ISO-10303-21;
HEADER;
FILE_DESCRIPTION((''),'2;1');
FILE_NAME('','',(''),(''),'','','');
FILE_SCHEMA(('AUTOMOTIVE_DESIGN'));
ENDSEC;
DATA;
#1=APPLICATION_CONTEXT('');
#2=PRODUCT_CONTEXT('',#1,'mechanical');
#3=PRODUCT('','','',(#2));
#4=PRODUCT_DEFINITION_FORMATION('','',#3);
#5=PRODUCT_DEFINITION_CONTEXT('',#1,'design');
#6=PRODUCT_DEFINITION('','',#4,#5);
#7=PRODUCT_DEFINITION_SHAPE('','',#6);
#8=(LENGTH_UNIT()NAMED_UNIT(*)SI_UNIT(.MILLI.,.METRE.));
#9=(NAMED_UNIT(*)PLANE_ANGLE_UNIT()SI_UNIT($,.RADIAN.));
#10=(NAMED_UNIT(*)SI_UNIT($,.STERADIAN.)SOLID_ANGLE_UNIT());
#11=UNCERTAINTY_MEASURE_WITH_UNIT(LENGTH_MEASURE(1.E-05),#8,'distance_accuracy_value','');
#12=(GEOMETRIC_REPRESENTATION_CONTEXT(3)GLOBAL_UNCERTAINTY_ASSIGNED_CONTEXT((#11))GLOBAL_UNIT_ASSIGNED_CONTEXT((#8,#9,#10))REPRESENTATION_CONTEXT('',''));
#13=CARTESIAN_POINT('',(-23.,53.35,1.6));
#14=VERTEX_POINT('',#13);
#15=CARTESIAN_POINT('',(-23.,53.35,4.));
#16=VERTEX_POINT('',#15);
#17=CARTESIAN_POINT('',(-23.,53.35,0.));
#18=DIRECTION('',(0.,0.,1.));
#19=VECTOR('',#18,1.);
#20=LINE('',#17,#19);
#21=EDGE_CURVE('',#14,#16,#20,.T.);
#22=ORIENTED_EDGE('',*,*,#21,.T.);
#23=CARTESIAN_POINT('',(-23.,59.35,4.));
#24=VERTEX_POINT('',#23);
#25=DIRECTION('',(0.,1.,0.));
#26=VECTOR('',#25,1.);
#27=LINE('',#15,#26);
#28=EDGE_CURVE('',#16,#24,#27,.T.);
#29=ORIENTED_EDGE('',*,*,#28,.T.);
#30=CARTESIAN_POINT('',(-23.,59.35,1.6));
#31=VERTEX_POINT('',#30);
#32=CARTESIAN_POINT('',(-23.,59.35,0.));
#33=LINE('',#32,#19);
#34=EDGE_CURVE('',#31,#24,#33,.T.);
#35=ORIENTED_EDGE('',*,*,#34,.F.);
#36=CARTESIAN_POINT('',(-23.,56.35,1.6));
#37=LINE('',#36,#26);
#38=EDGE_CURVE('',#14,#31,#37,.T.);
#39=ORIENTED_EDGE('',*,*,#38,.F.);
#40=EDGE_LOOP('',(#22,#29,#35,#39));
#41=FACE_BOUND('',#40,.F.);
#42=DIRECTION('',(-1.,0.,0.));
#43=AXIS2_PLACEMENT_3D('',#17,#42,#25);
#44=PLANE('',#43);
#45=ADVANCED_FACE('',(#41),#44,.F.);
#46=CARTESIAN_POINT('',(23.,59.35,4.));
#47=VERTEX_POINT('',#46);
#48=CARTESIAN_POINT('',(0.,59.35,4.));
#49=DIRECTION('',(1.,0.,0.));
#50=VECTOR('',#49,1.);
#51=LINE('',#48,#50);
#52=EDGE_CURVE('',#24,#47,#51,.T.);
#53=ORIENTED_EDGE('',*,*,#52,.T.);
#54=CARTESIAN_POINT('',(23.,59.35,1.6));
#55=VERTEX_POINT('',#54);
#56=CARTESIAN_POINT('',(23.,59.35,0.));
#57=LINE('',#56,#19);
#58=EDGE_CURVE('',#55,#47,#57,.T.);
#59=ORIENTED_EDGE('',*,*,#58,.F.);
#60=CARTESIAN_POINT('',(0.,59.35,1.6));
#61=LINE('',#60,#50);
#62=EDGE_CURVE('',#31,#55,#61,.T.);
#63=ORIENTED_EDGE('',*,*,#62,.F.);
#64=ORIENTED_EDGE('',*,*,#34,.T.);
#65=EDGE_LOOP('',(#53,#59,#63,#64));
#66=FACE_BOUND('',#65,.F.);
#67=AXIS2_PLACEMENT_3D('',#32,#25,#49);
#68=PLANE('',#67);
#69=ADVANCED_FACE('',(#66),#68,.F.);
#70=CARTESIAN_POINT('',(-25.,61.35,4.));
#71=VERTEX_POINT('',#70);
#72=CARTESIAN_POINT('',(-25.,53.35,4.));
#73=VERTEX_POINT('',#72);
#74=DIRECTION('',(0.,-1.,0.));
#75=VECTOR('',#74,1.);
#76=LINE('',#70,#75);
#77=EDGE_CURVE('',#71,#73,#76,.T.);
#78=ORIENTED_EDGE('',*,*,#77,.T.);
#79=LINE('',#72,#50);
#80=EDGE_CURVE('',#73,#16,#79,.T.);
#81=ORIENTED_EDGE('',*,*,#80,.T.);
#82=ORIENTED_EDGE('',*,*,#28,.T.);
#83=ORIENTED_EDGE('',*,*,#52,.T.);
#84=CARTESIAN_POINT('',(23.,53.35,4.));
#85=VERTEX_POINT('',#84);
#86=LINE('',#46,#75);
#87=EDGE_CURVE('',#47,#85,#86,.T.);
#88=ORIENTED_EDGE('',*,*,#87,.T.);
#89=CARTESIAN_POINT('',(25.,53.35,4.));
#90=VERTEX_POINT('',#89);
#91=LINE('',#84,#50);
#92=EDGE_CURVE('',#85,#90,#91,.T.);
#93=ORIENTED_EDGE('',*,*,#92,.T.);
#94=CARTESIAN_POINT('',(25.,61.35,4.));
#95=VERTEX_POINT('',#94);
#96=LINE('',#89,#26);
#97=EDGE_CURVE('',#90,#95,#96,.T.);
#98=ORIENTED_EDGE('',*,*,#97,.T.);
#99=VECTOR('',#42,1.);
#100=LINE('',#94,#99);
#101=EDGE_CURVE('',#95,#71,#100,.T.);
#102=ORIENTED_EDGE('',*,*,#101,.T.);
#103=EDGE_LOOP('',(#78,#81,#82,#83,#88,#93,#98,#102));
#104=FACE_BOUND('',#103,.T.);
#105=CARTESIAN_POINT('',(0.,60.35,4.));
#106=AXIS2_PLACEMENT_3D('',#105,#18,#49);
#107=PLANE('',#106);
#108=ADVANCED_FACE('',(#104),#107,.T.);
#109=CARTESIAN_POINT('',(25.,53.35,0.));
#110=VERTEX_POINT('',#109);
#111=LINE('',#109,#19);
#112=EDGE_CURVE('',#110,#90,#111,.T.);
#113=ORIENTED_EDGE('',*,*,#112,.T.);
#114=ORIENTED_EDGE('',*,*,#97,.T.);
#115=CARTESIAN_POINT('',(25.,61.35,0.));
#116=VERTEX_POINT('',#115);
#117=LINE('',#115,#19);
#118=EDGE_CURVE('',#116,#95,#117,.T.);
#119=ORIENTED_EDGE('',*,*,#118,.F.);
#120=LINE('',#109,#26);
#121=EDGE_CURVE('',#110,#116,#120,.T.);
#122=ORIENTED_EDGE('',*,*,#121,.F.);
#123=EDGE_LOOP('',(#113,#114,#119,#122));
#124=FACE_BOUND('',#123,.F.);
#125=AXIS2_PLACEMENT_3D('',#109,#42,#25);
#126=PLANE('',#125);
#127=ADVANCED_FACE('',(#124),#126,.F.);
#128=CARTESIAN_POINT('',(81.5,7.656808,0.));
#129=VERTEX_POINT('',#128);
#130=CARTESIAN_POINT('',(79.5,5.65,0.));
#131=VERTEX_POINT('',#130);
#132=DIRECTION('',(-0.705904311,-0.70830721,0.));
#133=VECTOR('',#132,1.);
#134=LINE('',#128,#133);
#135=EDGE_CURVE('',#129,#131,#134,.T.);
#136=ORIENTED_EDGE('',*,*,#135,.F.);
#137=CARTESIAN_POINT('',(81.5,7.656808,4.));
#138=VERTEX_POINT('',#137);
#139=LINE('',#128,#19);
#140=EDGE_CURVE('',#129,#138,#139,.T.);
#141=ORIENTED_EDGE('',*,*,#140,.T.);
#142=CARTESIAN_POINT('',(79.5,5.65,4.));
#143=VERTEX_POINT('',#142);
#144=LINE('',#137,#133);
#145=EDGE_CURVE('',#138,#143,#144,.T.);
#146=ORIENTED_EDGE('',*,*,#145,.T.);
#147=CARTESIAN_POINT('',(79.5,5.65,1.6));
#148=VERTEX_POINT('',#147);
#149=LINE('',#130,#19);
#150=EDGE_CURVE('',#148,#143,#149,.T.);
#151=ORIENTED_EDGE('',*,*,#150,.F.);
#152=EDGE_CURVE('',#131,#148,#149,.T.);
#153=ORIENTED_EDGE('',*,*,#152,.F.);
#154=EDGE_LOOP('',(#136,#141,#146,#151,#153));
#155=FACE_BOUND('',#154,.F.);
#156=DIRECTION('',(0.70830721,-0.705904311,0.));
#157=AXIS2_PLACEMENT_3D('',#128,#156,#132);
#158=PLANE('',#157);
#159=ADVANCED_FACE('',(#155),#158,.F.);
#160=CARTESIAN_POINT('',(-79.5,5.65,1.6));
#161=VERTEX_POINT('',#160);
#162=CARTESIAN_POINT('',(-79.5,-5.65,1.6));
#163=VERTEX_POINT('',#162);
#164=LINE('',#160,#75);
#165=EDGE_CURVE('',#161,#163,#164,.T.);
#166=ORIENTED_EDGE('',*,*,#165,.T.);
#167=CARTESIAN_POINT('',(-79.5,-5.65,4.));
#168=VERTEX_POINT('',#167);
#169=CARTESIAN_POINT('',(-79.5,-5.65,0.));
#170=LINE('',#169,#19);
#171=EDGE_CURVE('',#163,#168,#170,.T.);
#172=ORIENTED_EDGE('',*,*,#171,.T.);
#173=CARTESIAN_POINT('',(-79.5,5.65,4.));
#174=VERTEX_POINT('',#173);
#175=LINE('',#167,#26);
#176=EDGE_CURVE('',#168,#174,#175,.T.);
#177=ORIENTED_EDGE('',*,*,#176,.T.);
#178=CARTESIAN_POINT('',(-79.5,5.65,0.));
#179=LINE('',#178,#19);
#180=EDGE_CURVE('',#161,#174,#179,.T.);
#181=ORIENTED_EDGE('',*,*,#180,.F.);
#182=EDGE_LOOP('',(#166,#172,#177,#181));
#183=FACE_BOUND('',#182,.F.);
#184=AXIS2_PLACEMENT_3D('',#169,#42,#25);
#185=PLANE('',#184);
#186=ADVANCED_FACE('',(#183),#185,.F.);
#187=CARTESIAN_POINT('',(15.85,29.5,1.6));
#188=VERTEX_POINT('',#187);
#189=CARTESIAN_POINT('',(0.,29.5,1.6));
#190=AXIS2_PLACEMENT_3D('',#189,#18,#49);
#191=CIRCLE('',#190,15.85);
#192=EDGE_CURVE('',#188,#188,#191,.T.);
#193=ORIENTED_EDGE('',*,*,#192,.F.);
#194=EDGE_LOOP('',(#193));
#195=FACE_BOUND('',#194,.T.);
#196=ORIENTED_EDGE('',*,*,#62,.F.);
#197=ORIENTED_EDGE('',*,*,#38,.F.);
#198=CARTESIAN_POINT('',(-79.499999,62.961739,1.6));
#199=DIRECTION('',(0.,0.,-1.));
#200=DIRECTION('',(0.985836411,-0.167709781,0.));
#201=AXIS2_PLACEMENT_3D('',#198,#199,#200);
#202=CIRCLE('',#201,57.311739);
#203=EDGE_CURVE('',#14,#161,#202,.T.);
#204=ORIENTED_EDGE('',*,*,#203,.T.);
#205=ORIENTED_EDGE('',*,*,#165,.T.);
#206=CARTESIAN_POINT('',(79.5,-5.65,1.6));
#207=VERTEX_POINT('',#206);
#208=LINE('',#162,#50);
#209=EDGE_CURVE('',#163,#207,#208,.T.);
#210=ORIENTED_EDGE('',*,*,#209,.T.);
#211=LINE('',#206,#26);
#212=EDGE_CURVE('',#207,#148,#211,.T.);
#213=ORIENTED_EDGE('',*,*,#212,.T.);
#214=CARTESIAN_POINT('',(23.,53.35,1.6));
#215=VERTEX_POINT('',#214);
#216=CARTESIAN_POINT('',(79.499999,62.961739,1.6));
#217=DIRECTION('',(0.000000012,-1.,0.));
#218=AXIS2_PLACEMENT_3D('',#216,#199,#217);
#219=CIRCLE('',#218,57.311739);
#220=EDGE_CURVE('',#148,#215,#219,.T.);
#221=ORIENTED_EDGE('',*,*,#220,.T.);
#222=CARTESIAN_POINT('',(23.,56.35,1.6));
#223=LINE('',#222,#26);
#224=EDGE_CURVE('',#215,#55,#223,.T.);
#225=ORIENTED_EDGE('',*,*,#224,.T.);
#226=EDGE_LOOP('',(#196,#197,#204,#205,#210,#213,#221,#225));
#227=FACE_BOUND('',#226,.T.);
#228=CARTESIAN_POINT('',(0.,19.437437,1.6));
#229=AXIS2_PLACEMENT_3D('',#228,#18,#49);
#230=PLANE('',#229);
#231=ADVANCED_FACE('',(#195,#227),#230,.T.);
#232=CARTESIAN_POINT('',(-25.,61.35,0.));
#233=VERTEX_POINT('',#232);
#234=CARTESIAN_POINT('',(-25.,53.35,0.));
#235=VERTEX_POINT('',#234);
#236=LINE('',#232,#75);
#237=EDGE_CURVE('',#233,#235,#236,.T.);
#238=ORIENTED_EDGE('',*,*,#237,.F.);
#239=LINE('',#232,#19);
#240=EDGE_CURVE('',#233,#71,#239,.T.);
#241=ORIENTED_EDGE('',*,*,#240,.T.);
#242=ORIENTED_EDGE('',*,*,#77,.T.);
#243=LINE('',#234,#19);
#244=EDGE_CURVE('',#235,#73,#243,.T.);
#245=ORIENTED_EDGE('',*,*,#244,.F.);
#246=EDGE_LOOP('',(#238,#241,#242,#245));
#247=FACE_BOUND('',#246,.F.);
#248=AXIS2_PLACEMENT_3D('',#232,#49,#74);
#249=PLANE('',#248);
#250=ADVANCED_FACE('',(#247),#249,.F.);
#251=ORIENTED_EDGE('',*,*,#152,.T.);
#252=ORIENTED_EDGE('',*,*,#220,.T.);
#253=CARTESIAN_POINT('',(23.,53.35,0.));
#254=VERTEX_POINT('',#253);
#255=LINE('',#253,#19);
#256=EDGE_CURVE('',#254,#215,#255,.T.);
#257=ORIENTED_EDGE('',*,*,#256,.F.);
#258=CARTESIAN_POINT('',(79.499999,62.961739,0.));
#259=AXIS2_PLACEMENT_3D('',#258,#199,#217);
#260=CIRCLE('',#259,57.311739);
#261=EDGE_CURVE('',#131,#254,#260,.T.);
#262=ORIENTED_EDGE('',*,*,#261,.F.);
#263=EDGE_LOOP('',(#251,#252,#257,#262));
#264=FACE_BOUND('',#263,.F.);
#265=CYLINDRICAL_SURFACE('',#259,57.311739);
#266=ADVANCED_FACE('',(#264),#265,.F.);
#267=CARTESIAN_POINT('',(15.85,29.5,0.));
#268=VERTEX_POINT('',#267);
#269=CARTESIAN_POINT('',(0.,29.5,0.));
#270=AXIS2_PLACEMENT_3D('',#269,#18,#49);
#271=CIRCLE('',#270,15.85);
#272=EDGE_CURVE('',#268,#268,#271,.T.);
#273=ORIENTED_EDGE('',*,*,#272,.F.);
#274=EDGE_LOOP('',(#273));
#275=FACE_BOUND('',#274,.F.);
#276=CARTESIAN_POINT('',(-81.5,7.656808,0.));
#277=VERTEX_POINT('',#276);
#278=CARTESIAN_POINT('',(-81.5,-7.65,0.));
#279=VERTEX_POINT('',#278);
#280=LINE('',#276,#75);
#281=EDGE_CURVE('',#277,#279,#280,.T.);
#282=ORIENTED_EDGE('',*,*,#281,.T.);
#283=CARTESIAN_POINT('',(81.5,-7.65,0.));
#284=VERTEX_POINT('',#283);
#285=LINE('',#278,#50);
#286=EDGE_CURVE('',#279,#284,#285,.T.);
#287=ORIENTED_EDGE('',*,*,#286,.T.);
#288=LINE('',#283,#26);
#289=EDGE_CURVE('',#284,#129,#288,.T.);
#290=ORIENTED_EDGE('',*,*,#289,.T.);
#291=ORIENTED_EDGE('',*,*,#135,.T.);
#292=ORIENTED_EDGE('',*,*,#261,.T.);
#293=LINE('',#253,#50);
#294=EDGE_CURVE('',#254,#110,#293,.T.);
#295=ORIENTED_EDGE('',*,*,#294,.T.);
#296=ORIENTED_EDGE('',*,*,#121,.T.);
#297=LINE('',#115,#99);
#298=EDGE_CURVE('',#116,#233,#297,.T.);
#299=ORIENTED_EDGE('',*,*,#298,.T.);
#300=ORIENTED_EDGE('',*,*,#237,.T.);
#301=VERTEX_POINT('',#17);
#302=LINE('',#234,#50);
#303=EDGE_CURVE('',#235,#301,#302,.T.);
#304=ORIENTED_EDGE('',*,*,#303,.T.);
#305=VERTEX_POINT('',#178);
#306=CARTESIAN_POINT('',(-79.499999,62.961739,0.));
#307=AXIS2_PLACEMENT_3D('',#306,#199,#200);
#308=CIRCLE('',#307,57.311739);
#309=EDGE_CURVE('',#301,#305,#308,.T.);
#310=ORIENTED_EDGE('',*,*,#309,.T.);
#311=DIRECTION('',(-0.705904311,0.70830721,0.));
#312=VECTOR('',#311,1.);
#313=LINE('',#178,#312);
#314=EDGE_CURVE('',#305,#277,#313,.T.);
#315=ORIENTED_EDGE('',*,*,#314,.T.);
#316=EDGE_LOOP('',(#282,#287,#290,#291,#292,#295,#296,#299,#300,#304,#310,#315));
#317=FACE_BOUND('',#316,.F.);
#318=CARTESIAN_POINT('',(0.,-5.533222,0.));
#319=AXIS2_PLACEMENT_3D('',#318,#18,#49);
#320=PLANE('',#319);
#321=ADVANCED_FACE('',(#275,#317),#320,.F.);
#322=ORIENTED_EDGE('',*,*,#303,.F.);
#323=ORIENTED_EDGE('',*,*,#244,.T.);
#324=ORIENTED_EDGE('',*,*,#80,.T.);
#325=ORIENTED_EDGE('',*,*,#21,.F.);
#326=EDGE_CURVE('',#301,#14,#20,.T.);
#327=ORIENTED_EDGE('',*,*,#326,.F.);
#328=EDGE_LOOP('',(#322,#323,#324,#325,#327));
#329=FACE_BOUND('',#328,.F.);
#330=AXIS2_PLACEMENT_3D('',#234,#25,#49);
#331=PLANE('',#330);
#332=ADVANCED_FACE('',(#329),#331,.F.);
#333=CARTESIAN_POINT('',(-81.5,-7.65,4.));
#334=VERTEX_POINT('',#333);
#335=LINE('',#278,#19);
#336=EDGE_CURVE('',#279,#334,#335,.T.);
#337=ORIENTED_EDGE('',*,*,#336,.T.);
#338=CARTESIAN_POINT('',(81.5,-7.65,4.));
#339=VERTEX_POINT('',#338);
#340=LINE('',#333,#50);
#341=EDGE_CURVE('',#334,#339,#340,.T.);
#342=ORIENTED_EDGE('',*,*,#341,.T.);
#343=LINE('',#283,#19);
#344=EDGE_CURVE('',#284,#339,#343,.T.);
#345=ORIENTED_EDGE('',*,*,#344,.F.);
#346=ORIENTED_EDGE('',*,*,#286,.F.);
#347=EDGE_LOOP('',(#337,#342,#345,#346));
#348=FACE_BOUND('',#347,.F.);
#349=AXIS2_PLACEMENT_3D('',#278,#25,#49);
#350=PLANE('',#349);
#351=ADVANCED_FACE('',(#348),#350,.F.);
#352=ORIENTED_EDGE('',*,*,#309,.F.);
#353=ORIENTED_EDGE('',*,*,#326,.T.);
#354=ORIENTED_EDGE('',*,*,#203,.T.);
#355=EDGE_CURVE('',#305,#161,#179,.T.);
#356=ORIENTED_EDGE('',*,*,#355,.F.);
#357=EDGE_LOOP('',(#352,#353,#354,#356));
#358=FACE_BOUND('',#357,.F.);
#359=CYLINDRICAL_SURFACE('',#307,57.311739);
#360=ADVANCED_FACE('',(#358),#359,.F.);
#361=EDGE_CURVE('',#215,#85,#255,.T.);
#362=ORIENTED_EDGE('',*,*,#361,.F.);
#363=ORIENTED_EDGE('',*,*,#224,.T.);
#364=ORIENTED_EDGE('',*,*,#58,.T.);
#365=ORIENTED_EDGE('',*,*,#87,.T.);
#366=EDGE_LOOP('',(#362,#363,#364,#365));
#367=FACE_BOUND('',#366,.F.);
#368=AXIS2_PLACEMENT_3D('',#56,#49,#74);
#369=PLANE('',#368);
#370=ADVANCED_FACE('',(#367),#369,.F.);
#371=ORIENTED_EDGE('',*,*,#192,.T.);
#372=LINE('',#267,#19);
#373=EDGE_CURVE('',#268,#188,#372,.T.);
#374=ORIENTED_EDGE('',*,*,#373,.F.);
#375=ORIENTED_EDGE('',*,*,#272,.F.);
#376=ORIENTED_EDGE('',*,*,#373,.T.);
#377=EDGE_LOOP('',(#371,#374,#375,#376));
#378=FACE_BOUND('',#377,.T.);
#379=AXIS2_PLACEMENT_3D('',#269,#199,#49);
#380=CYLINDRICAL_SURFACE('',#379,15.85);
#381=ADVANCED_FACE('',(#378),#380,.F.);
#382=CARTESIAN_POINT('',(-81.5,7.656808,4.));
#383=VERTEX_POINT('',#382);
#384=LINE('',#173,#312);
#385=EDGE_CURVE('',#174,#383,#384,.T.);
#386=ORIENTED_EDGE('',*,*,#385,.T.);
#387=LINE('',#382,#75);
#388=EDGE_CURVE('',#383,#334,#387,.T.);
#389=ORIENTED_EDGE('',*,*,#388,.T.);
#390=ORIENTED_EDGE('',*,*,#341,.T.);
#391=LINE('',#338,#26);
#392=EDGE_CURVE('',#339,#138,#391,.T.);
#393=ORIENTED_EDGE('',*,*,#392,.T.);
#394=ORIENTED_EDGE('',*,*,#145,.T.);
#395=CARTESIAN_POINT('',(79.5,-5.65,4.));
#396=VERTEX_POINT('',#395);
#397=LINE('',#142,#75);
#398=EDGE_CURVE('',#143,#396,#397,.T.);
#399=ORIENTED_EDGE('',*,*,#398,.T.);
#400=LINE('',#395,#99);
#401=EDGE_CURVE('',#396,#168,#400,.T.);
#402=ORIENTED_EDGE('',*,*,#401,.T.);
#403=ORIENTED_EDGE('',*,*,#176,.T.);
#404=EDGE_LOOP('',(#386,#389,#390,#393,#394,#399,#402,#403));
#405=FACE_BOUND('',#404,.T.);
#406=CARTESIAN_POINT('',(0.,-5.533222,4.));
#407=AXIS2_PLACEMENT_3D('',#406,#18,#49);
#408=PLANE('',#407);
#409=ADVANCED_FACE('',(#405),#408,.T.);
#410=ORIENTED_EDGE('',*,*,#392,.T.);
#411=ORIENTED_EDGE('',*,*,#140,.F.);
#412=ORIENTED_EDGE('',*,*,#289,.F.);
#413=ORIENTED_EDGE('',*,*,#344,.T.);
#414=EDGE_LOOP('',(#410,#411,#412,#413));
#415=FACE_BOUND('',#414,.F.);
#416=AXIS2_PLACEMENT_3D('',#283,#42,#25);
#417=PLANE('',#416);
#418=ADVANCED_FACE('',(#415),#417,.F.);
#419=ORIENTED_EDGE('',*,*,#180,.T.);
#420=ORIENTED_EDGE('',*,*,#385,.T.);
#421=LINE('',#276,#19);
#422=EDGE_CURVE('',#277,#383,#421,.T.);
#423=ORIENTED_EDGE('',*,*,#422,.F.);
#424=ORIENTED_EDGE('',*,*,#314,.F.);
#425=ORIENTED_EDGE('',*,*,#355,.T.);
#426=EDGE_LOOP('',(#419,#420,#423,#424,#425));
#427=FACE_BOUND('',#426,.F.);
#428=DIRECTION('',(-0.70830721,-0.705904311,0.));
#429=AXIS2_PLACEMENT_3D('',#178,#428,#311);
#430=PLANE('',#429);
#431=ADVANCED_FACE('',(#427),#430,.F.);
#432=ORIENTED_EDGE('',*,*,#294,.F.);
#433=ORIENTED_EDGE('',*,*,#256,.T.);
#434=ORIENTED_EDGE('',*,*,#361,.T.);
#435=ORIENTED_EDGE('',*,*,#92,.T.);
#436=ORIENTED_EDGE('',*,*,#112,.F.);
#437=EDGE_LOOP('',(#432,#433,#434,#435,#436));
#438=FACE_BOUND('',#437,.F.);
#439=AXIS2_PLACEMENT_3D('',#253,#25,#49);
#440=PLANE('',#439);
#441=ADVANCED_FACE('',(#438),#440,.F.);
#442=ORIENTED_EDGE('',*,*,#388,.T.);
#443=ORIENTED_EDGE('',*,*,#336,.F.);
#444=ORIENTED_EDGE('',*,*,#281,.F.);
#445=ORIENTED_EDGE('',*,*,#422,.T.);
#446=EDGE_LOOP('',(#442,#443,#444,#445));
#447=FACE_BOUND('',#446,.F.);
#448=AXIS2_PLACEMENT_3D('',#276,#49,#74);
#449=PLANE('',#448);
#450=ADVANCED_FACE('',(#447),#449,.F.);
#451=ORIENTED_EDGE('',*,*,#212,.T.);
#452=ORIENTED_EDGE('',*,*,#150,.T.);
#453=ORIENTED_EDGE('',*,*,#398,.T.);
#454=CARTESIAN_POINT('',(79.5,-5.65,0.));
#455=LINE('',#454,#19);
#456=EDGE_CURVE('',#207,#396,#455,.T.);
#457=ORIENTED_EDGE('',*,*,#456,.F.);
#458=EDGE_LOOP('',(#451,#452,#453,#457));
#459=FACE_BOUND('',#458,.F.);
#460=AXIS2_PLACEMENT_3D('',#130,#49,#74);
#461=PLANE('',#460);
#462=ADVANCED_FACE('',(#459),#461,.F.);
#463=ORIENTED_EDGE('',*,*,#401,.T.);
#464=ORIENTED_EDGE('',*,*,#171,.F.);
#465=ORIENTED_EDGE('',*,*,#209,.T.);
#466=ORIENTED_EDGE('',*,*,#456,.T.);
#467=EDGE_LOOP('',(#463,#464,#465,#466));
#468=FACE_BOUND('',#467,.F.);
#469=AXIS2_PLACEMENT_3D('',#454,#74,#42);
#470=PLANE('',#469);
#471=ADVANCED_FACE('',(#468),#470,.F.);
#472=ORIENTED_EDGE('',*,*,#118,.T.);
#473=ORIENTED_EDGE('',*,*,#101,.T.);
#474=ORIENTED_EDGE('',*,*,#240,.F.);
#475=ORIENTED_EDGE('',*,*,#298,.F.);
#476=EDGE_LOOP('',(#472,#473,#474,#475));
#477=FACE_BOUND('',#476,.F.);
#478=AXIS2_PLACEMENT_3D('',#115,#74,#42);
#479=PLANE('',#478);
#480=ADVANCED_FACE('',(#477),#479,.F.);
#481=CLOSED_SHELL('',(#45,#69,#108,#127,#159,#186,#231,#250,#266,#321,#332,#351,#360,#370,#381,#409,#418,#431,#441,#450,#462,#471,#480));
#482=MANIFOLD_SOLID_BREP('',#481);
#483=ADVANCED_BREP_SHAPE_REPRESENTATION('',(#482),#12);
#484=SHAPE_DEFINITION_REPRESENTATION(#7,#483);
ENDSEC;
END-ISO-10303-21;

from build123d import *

# Parameters (mm, degrees)
F0_R     = 15.85
F0_W     = 46
F0_H     = 6
F1_DEPTH = 1.6
F0_H_2   = 2
F2_DEPTH = 4


with BuildPart() as f1:
    # F0 (on Top) → F1 (new body)
    with BuildSketch(Plane.XY):
        with BuildLine():
            ThreePointArc((-23, 53.35), (-42.528592, 19.169611), (-79.5, 5.65))
            Line((-79.5, 5.65), (0, 5.65))
            Line((0, 5.65), (79.5, 5.65))
            ThreePointArc((79.5, 5.65), (42.528592, 19.169611), (23, 53.35))
            Line((23, 53.35), (-23, 53.35))
        make_face()
        with Locations((0, 29.5)):
            Circle(F0_R, mode=Mode.SUBTRACT)
        Polygon((0, 5.65), (-79.5, 5.65), (-79.5, -5.65), (79.5, -5.65), (79.5, 5.65), align=None)
        with Locations((0, 56.35)):
            Rectangle(F0_W, F0_H)
    extrude(amount=F1_DEPTH)

    # F0 (on Top) → F2 (join)
    with BuildSketch(Plane.XY):
        Polygon((-79.5, -5.65), (-79.5, 5.65), (-81.5, 7.656808), (-81.5, -7.65), (81.5, -7.65), (81.5, 7.656808), (79.5, 5.65), (79.5, -5.65), align=None)
        with Locations((0, 60.35)):
            Rectangle(F0_W, F0_H_2)
        Polygon((23, 59.35), (23, 53.35), (25, 53.35), (25, 59.35), (25, 61.35), (23, 61.35), align=None)
        Polygon((-25, 53.35), (-23, 53.35), (-23, 59.35), (-23, 61.35), (-25, 61.35), (-25, 59.35), align=None)
    extrude(amount=F2_DEPTH)


solid = f1.part
